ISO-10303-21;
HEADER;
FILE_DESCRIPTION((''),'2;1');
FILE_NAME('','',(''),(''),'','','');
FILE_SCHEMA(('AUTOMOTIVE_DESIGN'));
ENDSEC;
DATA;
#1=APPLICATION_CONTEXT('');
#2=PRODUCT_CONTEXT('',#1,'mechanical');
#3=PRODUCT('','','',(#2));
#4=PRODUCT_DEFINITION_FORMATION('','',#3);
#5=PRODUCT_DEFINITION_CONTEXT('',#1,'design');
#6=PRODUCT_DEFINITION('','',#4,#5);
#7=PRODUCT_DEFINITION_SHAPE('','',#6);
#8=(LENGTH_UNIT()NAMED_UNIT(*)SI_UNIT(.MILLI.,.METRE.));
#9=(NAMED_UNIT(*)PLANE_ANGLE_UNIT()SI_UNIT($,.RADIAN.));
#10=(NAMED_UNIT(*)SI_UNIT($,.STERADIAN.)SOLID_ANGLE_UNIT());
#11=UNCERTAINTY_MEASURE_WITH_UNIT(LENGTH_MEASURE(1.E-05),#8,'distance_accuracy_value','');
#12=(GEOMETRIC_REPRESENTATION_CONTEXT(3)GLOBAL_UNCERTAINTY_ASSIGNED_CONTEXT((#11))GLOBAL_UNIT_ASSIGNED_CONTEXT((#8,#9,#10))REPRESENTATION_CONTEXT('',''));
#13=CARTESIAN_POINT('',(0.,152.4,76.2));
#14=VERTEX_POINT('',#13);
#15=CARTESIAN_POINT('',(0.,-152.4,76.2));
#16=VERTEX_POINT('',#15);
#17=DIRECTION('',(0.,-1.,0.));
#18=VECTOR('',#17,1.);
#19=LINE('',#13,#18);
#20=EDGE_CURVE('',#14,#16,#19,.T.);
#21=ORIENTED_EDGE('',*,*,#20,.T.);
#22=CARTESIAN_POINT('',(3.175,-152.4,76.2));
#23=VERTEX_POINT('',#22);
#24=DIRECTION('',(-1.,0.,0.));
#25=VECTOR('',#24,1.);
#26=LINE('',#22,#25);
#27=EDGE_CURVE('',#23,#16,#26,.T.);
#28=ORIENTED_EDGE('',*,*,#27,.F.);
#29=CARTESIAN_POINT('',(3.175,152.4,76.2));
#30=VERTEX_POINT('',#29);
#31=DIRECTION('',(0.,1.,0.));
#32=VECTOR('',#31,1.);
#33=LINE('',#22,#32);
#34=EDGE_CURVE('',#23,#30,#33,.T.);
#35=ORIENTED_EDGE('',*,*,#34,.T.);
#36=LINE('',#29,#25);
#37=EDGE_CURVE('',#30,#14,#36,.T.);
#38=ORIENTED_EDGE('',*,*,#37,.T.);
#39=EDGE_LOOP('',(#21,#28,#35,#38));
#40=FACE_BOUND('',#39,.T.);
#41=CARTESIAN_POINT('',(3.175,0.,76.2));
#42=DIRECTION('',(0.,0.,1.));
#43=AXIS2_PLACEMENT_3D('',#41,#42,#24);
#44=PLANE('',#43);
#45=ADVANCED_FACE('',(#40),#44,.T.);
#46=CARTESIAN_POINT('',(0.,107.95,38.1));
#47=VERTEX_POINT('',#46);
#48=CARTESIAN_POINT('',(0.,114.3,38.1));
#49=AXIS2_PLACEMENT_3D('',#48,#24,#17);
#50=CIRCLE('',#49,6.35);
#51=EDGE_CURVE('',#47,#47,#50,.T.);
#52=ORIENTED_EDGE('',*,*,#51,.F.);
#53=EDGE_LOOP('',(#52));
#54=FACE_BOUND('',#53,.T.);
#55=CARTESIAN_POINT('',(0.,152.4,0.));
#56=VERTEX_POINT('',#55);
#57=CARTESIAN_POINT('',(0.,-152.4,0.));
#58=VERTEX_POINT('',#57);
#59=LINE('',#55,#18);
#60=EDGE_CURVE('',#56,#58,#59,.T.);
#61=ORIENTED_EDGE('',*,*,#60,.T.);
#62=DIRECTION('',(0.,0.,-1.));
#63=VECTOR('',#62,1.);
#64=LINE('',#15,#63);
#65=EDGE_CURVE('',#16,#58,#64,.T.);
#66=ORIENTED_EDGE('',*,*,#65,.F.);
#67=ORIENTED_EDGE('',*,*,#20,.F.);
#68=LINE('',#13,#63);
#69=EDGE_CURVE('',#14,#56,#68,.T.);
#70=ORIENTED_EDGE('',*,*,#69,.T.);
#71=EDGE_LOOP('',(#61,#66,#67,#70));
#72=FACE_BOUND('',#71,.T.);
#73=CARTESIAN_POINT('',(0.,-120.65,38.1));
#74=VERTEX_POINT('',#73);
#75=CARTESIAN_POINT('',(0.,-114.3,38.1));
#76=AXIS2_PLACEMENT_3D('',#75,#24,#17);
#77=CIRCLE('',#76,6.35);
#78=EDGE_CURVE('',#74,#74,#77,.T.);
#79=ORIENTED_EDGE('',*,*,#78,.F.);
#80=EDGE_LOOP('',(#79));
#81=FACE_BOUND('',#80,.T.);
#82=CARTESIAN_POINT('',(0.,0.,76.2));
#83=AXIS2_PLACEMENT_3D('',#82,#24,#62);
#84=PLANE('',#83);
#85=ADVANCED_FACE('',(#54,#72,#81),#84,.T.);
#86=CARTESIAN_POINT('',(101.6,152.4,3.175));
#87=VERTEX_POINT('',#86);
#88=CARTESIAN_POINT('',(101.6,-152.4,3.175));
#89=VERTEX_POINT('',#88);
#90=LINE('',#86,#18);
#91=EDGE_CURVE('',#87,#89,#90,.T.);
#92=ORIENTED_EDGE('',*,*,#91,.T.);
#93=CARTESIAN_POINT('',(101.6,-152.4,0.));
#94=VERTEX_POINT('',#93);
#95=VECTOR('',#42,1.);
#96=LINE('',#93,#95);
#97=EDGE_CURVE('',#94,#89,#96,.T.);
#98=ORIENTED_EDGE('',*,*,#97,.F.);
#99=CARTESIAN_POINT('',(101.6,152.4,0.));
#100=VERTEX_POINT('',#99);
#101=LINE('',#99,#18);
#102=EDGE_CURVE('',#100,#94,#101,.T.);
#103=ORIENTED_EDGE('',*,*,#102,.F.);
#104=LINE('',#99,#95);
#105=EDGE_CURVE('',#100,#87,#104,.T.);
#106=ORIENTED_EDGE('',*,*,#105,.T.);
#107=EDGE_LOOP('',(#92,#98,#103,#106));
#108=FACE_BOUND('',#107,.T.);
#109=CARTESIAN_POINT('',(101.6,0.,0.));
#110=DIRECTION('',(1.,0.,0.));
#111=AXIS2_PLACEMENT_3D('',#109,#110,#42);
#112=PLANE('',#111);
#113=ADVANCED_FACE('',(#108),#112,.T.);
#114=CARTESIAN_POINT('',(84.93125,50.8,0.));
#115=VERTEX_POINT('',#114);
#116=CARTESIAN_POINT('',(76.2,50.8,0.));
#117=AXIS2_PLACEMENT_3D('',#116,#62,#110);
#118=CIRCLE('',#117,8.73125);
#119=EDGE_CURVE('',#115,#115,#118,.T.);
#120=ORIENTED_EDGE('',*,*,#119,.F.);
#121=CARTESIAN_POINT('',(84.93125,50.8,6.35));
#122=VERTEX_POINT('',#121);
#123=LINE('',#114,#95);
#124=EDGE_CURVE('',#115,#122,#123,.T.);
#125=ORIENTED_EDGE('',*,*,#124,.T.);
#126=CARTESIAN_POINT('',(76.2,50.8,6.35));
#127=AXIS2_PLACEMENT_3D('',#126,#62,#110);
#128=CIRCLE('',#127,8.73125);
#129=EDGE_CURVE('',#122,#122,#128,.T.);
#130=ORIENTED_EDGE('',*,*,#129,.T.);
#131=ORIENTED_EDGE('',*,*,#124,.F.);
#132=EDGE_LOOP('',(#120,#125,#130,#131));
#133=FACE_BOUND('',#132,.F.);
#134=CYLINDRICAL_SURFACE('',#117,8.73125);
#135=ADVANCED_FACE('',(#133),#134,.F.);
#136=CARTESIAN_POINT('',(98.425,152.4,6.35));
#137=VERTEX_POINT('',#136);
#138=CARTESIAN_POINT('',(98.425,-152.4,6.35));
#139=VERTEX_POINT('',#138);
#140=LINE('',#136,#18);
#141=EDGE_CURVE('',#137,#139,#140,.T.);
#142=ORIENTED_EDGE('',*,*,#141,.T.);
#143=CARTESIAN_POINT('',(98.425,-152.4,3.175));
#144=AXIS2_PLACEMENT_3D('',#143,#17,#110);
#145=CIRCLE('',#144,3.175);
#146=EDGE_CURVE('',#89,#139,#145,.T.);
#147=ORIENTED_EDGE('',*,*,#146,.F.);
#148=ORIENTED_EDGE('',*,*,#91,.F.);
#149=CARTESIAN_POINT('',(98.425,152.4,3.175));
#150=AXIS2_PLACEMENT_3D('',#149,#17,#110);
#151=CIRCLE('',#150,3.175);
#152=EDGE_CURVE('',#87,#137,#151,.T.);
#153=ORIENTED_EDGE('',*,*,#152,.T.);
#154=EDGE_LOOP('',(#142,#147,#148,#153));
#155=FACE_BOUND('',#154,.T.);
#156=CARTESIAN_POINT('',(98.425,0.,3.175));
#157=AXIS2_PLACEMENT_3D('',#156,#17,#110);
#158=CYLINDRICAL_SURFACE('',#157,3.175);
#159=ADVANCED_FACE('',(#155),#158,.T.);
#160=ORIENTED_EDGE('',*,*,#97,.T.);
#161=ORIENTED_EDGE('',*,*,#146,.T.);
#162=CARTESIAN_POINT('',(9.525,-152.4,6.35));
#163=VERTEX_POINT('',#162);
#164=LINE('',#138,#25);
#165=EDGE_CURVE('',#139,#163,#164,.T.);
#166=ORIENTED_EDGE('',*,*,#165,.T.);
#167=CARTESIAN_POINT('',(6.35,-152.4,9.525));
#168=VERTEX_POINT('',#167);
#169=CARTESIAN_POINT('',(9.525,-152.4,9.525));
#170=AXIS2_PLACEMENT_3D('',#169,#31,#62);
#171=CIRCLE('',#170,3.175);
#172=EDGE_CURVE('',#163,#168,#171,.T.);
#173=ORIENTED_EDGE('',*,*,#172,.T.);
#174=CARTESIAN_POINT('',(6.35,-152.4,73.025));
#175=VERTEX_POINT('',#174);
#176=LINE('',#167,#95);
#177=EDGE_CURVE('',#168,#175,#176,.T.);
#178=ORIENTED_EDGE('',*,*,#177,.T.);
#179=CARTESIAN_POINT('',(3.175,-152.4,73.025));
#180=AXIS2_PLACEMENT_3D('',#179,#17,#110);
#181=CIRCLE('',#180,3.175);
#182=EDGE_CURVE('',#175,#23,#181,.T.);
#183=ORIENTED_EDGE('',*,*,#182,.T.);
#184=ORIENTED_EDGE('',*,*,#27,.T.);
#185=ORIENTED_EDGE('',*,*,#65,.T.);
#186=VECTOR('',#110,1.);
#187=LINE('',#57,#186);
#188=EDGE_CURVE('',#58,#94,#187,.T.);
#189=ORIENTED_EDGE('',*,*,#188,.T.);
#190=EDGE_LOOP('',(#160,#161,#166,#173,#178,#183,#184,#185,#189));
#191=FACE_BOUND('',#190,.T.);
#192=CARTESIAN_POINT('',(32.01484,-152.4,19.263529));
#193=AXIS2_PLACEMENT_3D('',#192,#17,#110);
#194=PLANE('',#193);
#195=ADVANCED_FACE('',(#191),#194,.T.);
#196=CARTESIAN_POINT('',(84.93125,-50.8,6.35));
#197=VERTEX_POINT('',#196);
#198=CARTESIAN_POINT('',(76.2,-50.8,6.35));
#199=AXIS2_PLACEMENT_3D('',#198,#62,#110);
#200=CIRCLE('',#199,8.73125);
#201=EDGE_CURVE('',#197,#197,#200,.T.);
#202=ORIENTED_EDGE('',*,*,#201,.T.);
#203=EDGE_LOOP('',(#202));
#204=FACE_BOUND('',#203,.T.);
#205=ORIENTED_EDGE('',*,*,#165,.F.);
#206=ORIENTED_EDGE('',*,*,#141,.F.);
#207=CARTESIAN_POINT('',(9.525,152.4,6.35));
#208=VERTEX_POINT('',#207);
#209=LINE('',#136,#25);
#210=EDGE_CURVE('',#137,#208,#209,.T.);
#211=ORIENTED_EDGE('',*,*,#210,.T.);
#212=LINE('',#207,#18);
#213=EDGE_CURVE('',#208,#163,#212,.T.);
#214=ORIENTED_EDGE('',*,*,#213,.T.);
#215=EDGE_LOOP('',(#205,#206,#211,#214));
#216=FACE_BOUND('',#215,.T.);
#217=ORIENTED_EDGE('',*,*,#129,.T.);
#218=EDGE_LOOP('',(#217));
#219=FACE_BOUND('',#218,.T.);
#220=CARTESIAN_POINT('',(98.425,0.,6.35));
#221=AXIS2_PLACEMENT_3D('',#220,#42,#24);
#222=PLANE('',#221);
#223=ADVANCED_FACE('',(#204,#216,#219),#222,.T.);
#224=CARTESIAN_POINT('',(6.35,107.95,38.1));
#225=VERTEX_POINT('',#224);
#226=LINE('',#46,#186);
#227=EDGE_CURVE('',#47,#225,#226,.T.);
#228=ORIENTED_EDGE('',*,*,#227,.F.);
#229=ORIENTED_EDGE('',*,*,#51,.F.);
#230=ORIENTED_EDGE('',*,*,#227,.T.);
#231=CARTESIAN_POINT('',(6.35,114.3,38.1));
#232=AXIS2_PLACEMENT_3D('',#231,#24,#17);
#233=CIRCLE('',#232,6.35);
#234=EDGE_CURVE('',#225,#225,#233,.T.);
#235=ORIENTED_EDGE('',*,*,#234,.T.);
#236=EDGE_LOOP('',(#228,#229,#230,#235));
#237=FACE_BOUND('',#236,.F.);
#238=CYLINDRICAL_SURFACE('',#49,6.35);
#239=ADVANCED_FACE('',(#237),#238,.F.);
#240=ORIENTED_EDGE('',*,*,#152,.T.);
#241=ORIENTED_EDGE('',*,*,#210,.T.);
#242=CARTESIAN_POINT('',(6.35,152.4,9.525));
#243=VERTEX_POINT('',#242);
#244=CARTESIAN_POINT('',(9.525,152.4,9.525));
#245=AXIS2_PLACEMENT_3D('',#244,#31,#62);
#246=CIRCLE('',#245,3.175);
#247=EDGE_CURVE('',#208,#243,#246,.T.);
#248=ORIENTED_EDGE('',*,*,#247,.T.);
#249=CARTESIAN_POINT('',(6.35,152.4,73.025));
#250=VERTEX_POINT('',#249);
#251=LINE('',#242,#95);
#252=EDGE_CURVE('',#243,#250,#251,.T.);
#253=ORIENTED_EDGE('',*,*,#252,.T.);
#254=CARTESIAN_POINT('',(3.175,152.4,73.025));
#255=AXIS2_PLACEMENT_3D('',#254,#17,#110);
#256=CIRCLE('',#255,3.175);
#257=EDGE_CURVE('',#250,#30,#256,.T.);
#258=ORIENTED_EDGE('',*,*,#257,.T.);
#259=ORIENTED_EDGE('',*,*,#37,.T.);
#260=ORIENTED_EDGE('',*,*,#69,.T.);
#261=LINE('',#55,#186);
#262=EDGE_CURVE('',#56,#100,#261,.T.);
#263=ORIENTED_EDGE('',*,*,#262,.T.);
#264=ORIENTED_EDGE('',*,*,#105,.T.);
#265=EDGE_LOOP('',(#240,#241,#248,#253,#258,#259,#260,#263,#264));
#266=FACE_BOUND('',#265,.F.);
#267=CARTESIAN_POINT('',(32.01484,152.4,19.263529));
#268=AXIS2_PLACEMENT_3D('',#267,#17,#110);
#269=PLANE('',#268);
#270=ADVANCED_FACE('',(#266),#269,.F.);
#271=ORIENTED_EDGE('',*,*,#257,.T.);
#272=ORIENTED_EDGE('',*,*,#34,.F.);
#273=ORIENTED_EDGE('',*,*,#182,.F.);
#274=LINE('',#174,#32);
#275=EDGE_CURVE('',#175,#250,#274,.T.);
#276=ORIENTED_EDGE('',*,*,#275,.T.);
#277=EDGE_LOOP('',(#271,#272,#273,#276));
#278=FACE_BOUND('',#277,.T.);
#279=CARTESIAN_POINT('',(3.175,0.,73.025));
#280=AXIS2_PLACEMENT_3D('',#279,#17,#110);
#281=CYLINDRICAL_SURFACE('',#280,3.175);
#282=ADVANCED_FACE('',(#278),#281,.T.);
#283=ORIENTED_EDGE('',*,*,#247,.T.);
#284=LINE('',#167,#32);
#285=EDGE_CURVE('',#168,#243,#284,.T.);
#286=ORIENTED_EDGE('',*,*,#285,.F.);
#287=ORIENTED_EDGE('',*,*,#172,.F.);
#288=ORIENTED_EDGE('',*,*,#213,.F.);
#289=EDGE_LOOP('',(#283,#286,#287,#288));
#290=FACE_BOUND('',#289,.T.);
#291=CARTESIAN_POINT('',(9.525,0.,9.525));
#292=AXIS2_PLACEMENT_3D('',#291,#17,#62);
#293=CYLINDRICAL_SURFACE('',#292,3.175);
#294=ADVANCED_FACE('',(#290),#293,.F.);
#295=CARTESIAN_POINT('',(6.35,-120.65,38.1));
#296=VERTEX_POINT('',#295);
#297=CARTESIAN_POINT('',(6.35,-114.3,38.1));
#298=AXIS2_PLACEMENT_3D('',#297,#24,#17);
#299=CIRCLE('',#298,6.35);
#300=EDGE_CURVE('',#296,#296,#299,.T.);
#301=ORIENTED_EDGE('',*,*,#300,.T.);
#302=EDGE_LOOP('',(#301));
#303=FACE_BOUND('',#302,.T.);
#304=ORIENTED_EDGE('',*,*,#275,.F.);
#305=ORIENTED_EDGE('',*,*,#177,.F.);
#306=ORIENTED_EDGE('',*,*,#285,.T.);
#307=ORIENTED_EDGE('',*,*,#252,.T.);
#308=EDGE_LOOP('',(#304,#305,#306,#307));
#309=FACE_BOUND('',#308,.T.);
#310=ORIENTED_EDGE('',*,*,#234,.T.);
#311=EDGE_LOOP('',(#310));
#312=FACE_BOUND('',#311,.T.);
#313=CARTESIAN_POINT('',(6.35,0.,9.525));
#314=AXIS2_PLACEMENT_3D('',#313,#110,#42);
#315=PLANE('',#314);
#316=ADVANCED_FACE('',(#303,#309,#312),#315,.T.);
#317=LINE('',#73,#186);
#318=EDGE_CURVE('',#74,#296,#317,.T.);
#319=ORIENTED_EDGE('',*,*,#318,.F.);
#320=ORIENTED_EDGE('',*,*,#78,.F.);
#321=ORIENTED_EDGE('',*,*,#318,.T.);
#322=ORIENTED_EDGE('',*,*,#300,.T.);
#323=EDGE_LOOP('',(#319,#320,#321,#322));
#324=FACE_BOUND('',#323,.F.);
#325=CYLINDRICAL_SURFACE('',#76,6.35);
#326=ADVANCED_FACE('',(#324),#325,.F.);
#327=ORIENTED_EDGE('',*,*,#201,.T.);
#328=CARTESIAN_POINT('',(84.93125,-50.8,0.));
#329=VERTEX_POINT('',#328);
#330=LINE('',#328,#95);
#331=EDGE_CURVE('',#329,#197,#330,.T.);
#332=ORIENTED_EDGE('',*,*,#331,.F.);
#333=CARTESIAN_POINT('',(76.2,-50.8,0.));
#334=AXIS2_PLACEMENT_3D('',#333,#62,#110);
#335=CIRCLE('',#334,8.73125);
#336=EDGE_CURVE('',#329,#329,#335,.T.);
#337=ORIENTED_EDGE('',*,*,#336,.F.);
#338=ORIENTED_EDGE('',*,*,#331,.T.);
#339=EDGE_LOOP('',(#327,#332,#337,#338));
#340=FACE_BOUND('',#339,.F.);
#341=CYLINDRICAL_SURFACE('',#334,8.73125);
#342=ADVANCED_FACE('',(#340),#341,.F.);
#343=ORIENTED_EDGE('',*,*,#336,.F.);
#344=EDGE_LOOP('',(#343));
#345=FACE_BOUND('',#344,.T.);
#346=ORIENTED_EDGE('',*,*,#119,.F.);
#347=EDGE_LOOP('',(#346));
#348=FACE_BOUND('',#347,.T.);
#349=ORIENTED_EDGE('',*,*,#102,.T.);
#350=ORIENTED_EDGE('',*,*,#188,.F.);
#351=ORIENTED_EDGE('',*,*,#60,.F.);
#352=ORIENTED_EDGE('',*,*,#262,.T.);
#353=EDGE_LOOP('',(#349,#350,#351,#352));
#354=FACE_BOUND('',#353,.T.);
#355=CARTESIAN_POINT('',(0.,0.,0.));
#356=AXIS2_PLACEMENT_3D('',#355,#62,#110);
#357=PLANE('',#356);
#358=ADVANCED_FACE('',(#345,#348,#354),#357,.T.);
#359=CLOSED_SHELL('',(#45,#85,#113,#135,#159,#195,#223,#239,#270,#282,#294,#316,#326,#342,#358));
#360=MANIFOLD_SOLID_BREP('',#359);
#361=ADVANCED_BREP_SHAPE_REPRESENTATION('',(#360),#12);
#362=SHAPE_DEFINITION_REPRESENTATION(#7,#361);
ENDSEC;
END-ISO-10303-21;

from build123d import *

# Parameters (mm, degrees)
F1_DEPTH = 152.4
F2_R     = 8.73125
F3_DEPTH = 76.201
F4_R     = 6.35
F5_DEPTH = 101.601


with BuildPart() as f1:
    # F0 (on Front) → F1 (new body, symmetric)
    with BuildSketch(Plane.XZ):
        with BuildLine():
            Line((3.175, 76.2), (0, 76.2))
            Line((0, 76.2), (0, 0))
            Line((0, 0), (101.6, 0))
            Line((101.6, 0), (101.6, 3.175))
            ThreePointArc((101.6, 3.175), (100.6700640303, 5.4200640303), (98.425, 6.35))
            Line((98.425, 6.35), (9.525, 6.35))
            ThreePointArc((9.525, 6.35), (7.2799359697, 7.2799359697), (6.35, 9.525))
            Line((6.35, 9.525), (6.35, 73.025))
            ThreePointArc((6.35, 73.025), (5.4200640303, 75.2700640303), (3.175, 76.2))
        make_face()
    extrude(amount=F1_DEPTH, both=True)

    # F2 (on face) → F3 (cut, through all)
    with BuildSketch(Plane(origin=(0, 0, 0), x_dir=(1, 0, 0), z_dir=(0, 0, -1))):
        with Locations((76.2, 50.8)):
            Circle(F2_R)
        with Locations((76.2, -50.8)):
            Circle(F2_R)
    extrude(amount=-F3_DEPTH, mode=Mode.SUBTRACT)

    # F4 (on face) → F5 (cut, through all)
    with BuildSketch(Plane(origin=(0, 0, 0), x_dir=(0, -1, 0), z_dir=(-1, 0, 0))):
        with Locations((-114.3, 38.1)):
            Circle(F4_R)
        with Locations((114.3, 38.1)):
            Circle(F4_R)
    extrude(amount=-F5_DEPTH, mode=Mode.SUBTRACT)


solid = f1.part
